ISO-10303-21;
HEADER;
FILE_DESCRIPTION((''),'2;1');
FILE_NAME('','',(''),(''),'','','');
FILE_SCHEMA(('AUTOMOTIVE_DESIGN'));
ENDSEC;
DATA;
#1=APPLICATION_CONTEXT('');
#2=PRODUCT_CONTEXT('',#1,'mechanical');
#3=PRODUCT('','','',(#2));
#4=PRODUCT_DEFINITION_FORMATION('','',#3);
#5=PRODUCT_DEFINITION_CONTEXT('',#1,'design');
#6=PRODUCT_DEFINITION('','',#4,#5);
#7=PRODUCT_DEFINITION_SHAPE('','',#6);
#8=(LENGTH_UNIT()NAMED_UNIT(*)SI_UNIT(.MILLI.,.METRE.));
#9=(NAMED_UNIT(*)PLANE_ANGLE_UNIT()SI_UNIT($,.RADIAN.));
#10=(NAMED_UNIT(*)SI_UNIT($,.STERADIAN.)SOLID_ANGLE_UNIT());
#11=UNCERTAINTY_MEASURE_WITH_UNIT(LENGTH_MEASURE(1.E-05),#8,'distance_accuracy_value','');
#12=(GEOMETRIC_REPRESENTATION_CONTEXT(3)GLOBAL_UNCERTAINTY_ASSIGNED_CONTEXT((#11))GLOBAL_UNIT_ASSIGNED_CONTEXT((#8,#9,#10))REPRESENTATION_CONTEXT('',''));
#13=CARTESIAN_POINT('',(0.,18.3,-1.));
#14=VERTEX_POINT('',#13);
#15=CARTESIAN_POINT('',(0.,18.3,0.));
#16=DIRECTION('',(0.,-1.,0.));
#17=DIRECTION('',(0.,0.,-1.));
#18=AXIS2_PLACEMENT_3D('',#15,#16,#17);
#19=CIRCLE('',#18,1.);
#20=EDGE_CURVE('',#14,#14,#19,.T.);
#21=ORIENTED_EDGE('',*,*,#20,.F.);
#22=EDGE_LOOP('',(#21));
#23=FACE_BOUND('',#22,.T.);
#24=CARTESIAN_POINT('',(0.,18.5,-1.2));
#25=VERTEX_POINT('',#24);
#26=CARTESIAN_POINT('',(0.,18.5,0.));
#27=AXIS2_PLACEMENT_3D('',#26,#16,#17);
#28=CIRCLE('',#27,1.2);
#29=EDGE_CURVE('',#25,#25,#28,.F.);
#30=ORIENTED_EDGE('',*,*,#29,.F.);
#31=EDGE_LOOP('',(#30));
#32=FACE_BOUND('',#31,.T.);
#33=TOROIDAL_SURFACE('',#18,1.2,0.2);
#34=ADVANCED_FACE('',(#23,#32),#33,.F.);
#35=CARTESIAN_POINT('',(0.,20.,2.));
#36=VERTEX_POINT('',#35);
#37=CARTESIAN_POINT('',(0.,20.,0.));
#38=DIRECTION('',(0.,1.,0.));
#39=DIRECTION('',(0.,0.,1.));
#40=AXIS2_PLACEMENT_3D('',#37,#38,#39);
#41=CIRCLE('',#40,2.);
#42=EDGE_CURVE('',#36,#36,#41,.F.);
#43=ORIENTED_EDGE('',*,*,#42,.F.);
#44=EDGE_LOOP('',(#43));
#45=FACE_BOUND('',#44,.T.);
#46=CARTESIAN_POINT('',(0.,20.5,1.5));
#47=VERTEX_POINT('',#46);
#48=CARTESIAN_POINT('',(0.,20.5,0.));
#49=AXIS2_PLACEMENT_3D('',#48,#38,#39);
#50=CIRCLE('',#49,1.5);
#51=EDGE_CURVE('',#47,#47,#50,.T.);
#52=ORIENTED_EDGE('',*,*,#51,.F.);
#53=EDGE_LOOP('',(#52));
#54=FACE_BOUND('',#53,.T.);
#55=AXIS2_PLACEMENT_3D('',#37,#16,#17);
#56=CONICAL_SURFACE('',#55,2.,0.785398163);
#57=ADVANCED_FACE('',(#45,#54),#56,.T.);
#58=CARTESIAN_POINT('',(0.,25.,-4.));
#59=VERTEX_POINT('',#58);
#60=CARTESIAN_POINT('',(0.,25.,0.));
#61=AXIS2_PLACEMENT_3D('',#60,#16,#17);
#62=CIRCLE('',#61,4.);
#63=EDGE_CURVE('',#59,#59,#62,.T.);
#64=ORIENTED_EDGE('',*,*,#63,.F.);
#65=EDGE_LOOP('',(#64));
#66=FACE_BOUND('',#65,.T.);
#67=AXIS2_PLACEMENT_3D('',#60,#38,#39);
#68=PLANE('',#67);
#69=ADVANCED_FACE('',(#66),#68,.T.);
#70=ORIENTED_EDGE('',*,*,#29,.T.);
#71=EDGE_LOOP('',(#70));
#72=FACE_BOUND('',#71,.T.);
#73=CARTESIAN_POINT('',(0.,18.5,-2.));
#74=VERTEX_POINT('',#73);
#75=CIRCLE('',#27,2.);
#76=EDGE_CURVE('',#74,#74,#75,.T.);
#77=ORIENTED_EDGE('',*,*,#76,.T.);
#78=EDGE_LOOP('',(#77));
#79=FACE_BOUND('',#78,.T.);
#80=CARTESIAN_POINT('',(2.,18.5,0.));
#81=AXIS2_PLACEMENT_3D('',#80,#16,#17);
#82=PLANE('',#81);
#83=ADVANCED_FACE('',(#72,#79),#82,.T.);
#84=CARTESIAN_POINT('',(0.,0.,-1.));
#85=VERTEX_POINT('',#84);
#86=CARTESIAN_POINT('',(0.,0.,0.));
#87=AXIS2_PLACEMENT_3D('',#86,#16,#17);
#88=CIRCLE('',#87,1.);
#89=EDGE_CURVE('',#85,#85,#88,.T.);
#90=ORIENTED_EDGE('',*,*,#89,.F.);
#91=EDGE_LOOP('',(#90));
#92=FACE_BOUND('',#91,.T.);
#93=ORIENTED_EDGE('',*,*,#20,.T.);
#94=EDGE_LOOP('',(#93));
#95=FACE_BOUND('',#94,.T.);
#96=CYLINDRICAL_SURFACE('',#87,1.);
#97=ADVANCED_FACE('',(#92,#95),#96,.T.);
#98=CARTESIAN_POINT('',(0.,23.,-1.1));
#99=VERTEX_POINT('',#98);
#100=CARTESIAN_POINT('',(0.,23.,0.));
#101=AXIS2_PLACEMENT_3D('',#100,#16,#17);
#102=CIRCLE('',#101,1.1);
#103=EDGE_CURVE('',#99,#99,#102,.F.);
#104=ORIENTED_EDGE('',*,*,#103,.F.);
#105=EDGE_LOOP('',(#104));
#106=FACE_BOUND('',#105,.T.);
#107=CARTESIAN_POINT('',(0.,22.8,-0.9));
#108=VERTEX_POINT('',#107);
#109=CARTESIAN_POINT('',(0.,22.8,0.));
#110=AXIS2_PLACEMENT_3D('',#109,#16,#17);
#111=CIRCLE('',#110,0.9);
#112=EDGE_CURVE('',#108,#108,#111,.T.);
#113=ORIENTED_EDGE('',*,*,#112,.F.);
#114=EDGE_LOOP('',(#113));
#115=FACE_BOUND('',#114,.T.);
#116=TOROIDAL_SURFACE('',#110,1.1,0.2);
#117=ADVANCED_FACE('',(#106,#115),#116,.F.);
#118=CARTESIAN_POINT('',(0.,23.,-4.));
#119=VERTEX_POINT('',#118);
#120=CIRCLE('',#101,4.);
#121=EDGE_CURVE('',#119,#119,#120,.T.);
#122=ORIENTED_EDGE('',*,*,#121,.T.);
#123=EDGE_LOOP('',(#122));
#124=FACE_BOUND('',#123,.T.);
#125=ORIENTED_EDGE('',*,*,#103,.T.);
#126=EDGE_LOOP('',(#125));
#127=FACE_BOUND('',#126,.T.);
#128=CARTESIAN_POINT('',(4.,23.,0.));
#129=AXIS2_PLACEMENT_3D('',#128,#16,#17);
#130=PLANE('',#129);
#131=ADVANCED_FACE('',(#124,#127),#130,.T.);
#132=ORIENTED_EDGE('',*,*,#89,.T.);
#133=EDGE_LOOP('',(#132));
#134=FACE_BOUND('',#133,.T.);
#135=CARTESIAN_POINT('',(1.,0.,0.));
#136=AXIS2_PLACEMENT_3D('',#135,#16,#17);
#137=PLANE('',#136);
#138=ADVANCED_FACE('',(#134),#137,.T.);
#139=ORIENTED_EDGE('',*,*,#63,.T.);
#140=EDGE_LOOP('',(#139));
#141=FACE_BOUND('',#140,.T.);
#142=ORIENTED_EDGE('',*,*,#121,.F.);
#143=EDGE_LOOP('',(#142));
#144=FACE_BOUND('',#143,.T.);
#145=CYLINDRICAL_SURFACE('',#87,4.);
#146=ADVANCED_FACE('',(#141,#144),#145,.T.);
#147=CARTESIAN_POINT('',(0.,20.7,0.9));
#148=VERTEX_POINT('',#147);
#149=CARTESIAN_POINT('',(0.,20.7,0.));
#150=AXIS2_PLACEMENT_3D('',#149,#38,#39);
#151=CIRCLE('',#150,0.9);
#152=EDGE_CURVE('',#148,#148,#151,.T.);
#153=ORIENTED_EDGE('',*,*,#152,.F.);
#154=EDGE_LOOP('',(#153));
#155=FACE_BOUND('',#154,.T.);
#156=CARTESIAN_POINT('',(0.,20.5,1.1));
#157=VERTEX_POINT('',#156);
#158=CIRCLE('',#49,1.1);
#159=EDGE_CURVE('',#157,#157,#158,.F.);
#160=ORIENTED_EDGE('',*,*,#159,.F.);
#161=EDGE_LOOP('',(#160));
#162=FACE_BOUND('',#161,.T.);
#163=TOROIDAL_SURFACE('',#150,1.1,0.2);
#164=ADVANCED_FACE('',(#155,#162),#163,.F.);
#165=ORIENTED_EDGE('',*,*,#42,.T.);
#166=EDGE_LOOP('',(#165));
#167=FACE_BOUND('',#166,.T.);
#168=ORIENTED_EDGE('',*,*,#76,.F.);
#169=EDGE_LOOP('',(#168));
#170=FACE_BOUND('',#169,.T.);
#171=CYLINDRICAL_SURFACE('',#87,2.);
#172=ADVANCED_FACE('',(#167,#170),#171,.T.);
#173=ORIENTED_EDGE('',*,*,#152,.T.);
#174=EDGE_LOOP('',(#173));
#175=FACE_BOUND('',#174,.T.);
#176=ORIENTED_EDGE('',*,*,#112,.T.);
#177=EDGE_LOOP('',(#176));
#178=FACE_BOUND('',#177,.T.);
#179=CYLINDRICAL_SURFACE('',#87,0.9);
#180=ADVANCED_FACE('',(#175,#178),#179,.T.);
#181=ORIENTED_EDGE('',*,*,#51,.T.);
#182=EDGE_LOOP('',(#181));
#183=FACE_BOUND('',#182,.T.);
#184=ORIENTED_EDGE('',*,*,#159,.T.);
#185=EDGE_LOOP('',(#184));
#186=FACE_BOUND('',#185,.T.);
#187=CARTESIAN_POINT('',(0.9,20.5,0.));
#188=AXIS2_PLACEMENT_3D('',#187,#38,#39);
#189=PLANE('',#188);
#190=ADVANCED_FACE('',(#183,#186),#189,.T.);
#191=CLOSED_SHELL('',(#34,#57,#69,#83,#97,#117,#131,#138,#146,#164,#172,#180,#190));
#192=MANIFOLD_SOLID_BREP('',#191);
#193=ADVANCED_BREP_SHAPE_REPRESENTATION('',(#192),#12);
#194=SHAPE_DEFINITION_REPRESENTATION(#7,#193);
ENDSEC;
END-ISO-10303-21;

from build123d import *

# Parameters (mm, degrees)
CHAMFER1_SIZE = 0.5
FILLET1_R     = 0.2


with BuildPart() as part:
    # Sketch2 → Revolve1 (revolve)
    with BuildSketch(Plane.XY):
        Polygon((0, 0), (0, 25), (4, 25), (4, 23), (0.9, 23), (0.9, 20.5), (2, 20.5), (2, 18.5), (1, 18.5), (1, 0), align=None)
    revolve(axis=Axis((0, 0, 0), (0, 1, 0)))

    # Chamfer1
    chamfer1_edges = [part.edges().sort_by_distance(p)[0] for p in [
        (-2, 20.5, 0),
    ]]
    chamfer(chamfer1_edges, length=CHAMFER1_SIZE)

    # Fillet1
    fillet1_edges = [part.edges().sort_by_distance(p)[0] for p in [
        (-0.9, 23, 0),
        (-1, 18.5, 0),
        (-0.9, 20.5, 0),
    ]]
    fillet(fillet1_edges, radius=FILLET1_R)


solid = part.part
